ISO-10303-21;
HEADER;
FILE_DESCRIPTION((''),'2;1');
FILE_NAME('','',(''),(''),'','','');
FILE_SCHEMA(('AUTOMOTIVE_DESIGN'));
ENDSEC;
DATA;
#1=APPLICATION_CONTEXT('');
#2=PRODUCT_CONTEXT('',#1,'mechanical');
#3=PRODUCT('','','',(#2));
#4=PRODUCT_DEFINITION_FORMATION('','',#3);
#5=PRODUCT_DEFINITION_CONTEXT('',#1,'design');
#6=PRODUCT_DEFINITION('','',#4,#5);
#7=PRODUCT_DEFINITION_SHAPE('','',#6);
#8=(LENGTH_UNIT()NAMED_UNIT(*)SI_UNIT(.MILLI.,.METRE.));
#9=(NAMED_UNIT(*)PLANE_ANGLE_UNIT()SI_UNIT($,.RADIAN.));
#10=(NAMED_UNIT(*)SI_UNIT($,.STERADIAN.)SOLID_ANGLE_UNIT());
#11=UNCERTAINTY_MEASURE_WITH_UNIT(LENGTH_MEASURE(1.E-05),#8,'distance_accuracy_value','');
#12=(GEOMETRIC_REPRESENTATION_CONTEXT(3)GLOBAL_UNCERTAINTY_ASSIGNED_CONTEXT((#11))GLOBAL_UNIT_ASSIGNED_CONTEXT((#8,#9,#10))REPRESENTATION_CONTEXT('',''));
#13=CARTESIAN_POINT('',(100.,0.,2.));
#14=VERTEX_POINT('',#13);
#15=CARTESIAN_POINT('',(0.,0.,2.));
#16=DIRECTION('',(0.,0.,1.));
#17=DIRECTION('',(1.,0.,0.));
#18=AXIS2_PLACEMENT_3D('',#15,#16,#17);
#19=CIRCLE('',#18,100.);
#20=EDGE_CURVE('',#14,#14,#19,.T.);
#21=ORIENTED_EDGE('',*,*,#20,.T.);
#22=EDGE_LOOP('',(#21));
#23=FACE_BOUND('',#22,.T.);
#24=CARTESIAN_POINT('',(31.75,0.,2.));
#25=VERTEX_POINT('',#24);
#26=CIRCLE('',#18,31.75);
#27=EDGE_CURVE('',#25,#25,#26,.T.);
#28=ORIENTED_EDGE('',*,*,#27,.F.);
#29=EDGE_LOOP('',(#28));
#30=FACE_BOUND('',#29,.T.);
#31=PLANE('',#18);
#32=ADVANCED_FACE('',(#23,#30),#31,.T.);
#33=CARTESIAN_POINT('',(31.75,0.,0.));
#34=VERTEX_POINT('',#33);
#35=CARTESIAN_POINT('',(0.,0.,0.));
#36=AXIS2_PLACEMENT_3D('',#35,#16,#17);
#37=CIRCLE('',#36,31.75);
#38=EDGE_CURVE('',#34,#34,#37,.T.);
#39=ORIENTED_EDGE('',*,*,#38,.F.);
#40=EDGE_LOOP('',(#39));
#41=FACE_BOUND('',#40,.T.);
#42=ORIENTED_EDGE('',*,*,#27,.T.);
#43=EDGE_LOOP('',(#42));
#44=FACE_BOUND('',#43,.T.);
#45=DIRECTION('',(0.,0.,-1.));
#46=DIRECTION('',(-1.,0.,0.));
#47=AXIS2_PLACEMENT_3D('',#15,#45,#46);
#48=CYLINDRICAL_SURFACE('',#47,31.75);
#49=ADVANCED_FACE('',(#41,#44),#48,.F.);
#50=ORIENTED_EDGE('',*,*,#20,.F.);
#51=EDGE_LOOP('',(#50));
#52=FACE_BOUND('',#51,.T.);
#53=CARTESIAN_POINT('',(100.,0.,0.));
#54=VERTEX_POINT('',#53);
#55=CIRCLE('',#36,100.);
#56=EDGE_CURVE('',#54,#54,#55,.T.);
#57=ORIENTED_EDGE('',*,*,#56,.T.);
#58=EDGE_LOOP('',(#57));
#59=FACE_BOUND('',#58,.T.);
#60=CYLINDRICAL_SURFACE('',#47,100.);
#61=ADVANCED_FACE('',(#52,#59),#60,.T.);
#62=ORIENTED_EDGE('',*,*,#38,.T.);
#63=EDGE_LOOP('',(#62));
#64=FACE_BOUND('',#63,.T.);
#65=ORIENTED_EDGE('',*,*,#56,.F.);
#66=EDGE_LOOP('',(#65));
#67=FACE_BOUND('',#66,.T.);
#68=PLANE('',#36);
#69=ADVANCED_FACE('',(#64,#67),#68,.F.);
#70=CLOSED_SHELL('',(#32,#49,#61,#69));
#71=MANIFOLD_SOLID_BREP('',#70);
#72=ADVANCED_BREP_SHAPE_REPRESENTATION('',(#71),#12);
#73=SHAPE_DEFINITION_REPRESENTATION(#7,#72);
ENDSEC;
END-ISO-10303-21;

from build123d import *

# Parameters (mm, degrees)
SKETCH1_R           = 100
SKETCH1_R_2         = 31.75
BOSS_EXTRUDE1_DEPTH = 2


with BuildPart() as part:
    # Sketch1 → Boss-Extrude1 (new body)
    with BuildSketch(Plane.XY):
        Circle(SKETCH1_R)
        Circle(SKETCH1_R_2, mode=Mode.SUBTRACT)
    extrude(amount=BOSS_EXTRUDE1_DEPTH)


solid = part.part
